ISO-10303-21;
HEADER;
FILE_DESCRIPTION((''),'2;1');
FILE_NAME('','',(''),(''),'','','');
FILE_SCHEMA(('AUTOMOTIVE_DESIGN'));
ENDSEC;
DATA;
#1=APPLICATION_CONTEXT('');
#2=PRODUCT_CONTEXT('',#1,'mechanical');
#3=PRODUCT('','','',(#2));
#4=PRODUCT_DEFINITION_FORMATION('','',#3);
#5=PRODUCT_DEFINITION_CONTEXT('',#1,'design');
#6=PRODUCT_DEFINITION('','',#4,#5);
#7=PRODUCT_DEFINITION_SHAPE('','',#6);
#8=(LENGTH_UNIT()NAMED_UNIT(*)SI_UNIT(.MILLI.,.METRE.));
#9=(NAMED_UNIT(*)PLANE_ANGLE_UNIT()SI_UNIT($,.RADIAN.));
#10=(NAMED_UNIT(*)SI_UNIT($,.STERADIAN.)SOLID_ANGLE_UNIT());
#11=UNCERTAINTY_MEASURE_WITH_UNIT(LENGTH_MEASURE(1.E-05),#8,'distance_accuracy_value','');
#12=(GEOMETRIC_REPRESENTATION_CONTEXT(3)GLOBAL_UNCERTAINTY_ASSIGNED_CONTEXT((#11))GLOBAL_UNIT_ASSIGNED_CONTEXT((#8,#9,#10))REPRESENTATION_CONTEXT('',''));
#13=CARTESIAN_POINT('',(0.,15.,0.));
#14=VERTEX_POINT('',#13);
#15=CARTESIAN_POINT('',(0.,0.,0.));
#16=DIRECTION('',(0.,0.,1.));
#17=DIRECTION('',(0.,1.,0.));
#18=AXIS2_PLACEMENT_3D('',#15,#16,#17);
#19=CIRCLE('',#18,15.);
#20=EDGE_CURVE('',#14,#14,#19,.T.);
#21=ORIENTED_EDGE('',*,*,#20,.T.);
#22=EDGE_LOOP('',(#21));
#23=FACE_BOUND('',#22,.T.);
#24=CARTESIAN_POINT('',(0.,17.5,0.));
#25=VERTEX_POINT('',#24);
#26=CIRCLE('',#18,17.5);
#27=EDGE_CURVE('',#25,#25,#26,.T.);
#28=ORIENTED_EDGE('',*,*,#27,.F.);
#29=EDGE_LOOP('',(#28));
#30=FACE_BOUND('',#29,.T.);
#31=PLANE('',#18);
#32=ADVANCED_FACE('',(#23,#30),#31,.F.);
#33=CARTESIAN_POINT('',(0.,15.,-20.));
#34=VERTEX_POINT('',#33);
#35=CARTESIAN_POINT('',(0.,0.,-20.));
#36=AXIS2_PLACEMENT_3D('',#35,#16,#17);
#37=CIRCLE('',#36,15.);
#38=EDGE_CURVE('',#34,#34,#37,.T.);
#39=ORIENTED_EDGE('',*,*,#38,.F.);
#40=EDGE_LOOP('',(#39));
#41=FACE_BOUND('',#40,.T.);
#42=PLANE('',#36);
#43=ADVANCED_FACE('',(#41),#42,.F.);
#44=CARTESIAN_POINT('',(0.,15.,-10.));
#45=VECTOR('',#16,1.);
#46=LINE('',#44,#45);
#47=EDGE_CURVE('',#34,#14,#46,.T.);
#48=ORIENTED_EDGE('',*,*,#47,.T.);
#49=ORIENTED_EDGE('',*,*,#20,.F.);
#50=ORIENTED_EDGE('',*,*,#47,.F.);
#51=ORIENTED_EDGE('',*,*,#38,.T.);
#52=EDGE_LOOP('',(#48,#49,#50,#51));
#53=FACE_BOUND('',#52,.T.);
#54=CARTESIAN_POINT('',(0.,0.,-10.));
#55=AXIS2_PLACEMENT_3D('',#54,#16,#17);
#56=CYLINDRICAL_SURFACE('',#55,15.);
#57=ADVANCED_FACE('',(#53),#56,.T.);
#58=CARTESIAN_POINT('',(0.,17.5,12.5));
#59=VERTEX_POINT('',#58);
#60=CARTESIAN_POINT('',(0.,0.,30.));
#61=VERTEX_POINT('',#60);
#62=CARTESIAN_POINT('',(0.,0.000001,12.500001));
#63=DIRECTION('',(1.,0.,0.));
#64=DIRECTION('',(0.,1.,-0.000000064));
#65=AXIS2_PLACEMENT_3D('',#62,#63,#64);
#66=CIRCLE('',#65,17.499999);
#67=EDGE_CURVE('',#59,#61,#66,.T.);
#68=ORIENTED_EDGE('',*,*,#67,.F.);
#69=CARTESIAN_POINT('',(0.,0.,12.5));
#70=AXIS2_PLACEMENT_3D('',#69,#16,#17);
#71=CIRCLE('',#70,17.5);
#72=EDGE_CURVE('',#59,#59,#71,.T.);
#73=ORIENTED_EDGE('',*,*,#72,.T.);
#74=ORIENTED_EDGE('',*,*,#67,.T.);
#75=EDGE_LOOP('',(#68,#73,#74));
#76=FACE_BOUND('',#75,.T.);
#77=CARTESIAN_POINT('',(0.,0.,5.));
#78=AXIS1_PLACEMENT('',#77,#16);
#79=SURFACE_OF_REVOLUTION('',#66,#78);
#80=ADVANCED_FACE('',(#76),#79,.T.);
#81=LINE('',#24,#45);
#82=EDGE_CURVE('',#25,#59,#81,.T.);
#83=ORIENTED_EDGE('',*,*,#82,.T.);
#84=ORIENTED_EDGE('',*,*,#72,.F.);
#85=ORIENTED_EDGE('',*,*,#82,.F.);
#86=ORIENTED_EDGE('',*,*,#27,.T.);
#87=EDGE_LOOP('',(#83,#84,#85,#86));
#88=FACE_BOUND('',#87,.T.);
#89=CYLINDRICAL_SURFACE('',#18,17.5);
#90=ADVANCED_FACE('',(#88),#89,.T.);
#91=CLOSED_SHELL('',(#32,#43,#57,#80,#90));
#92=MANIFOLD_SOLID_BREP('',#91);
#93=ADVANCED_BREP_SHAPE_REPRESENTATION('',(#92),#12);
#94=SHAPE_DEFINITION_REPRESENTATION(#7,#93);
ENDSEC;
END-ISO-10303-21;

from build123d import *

# Parameters (mm, degrees)
F0_W = 15
F0_H = 20


with BuildPart() as f1:
    # F0 (on Right) → F1 (revolve)
    with BuildSketch(Plane.YZ):
        with BuildLine():
            Line((0, 30), (0, 12.5))
            Line((0, 12.5), (17.5, 12.5))
            ThreePointArc((17.5, 12.5), (12.374369, 24.874369), (0, 30))
        make_face()
        Polygon((0, 12.5), (0, 0), (15, 0), (17.5, 0), (17.5, 12.5), align=None)
        with Locations((7.5, -10)):
            Rectangle(F0_W, F0_H)
    revolve(axis=Axis((0, 0, 5), (0, 0, 1)))


solid = f1.part
